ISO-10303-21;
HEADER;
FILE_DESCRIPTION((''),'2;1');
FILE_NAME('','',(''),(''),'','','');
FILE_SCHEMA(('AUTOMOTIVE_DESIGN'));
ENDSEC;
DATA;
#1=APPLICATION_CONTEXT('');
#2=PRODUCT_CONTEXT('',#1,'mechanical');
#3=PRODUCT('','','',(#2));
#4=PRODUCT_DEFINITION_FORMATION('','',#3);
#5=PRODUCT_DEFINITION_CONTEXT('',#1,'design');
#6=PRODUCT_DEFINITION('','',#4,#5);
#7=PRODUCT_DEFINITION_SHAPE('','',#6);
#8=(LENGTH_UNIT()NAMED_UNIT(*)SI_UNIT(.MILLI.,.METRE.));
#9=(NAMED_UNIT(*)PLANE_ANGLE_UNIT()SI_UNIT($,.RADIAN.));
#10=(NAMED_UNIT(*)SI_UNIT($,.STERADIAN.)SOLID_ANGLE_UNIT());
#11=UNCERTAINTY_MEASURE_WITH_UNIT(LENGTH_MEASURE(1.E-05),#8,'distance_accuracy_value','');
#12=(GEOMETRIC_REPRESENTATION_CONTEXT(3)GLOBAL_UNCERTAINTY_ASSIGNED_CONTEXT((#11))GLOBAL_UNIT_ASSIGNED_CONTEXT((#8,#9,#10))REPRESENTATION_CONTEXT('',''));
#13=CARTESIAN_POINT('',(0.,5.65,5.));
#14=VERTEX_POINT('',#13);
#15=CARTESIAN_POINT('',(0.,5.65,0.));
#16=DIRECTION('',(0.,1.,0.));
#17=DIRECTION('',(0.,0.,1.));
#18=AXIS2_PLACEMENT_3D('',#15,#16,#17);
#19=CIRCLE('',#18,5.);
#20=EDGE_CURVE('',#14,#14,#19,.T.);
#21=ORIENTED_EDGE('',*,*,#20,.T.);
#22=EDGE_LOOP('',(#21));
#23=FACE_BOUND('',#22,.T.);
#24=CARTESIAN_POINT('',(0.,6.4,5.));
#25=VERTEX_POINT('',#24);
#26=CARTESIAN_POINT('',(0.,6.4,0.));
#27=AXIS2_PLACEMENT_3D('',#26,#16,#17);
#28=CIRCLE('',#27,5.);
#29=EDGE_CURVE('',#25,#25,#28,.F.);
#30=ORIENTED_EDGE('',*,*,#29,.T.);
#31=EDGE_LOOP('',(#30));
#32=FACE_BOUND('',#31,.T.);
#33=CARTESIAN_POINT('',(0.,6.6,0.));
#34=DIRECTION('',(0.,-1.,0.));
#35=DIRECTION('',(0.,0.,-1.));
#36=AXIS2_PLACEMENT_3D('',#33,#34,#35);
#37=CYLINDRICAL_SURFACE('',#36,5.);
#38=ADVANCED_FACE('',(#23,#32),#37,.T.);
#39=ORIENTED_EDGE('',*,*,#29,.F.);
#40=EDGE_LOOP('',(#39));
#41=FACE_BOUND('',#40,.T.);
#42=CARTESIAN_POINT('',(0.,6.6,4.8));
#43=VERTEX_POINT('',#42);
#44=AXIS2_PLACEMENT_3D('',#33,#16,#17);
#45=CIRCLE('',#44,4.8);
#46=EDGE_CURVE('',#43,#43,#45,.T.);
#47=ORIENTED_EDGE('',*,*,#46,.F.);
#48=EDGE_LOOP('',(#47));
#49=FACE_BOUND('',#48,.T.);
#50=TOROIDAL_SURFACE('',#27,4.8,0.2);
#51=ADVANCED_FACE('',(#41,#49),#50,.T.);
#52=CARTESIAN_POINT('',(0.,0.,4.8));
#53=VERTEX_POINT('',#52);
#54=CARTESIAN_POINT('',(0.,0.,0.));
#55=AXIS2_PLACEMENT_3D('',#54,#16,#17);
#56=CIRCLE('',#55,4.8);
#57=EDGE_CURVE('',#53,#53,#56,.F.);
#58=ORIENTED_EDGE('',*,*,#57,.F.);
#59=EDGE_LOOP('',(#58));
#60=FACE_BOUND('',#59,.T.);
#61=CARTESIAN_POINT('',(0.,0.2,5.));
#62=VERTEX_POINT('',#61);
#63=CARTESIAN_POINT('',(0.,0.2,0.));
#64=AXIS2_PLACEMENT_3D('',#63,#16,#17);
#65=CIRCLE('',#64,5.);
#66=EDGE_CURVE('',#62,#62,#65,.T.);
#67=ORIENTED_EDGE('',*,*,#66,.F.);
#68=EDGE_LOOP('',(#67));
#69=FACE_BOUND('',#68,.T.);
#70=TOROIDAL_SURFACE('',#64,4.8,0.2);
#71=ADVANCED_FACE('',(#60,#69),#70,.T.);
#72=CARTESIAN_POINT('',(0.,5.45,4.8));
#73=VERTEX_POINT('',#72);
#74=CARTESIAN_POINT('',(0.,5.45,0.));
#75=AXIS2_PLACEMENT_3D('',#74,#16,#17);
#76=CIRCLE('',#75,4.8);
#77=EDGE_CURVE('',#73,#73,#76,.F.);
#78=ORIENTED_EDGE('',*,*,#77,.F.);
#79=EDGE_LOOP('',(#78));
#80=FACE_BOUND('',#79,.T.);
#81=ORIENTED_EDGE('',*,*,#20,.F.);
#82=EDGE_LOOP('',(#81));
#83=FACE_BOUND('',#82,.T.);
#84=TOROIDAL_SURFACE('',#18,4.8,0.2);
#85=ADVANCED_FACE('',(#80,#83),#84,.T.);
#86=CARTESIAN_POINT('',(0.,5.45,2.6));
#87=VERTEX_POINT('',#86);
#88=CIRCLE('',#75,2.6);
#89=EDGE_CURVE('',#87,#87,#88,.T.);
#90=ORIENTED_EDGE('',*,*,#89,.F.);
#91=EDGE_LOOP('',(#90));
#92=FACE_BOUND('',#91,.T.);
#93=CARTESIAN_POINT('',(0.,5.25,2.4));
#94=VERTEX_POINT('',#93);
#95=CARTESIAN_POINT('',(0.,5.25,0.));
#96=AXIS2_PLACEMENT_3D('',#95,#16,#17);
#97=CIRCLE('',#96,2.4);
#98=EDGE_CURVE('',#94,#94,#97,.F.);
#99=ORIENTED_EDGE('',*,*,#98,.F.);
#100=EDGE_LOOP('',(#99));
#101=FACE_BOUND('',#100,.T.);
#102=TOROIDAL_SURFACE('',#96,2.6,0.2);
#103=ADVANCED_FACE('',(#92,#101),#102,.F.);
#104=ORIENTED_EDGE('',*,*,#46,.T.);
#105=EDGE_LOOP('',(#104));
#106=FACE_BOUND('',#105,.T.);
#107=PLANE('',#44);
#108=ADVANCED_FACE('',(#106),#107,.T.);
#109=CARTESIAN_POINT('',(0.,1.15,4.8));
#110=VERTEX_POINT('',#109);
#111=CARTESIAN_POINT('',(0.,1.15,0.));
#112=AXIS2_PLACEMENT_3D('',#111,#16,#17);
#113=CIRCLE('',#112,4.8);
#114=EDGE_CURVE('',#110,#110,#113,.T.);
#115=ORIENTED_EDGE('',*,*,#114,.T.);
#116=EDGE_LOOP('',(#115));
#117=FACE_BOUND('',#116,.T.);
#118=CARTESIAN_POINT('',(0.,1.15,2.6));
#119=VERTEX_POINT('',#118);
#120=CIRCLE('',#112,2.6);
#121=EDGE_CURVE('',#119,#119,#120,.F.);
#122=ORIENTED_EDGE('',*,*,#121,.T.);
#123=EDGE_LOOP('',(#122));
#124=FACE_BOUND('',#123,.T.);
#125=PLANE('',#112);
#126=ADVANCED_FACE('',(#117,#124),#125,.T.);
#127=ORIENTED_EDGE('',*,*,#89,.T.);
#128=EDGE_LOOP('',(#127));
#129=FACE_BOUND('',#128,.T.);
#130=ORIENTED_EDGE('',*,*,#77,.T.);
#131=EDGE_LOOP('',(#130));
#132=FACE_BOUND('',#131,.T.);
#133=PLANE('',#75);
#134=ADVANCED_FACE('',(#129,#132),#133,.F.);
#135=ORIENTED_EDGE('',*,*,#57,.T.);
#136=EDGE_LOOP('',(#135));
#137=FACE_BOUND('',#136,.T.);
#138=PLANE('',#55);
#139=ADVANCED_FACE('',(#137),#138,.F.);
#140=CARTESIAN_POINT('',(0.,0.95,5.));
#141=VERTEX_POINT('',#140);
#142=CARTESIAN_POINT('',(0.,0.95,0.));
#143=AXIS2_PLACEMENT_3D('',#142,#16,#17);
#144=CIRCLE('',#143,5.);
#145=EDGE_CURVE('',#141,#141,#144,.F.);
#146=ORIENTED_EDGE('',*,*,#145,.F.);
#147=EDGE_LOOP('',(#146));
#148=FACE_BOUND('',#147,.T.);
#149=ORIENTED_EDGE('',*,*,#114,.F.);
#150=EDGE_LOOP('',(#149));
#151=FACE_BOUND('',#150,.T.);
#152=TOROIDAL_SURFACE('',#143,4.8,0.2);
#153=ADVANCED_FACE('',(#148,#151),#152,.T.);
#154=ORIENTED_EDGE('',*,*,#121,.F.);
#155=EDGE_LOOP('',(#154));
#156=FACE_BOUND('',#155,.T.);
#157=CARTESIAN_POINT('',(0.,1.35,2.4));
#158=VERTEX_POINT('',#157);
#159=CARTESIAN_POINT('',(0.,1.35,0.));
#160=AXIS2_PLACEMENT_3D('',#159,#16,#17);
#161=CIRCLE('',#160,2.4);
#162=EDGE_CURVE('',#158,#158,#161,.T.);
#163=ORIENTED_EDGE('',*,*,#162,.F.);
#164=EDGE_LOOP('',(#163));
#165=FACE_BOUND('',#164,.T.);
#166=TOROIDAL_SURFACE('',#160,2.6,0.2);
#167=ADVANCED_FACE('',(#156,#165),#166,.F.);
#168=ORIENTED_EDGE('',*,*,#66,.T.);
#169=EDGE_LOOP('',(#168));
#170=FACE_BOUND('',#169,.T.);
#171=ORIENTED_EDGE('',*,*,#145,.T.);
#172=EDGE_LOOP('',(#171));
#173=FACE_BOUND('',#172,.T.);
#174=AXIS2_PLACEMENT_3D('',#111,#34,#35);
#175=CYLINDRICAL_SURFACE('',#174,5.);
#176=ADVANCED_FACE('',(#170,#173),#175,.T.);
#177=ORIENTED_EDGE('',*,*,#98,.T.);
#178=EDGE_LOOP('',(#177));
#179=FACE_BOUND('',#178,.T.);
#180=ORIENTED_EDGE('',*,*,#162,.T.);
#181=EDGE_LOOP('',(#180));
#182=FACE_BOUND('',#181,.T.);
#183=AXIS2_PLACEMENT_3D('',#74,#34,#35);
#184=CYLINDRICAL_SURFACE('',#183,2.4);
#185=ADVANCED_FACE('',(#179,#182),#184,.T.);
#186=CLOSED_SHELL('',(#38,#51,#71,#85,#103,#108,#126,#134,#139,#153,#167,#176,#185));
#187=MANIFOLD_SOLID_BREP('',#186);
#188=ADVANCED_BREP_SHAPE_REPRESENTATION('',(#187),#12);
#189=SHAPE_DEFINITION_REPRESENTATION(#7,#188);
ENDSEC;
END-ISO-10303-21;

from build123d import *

# Parameters (mm, degrees)
SKETCH1_R           = 5
BOSS_EXTRUDE1_DEPTH = 1.15
SKETCH2_R           = 2.4
BOSS_EXTRUDE2_DEPTH = 4.3
SKETCH3_R           = 5
BOSS_EXTRUDE3_DEPTH = 1.15
FILLET1_R           = 0.2


with BuildPart() as part:
    # Sketch1 → Boss-Extrude1 (new body)
    with BuildSketch(Plane(origin=(0, 0, 0), x_dir=(1, 0, 0), z_dir=(0, 1, 0))):
        Circle(SKETCH1_R)
    extrude(amount=BOSS_EXTRUDE1_DEPTH)

    # Sketch2 → Boss-Extrude2 (add)
    with BuildSketch(Plane(origin=(0, 1.15, 0), x_dir=(1, 0, 0), z_dir=(0, 1, 0))):
        Circle(SKETCH2_R)
    extrude(amount=BOSS_EXTRUDE2_DEPTH)

    # Sketch3 → Boss-Extrude3 (add)
    with BuildSketch(Plane(origin=(0, 5.45, 0), x_dir=(1, 0, 0), z_dir=(0, 1, 0))):
        Circle(SKETCH3_R)
    extrude(amount=BOSS_EXTRUDE3_DEPTH)

    # Fillet1
    fillet1_edges = [part.edges().sort_by_distance(p)[0] for p in [
        (-5, 5.45, 0),
        (-5, 6.6, 0),
        (-5, 0, 0),
        (-5, 1.15, 0),
        (-2.4, 1.15, 0),
        (-2.4, 5.45, 0),
    ]]
    fillet(fillet1_edges, radius=FILLET1_R)


solid = part.part
